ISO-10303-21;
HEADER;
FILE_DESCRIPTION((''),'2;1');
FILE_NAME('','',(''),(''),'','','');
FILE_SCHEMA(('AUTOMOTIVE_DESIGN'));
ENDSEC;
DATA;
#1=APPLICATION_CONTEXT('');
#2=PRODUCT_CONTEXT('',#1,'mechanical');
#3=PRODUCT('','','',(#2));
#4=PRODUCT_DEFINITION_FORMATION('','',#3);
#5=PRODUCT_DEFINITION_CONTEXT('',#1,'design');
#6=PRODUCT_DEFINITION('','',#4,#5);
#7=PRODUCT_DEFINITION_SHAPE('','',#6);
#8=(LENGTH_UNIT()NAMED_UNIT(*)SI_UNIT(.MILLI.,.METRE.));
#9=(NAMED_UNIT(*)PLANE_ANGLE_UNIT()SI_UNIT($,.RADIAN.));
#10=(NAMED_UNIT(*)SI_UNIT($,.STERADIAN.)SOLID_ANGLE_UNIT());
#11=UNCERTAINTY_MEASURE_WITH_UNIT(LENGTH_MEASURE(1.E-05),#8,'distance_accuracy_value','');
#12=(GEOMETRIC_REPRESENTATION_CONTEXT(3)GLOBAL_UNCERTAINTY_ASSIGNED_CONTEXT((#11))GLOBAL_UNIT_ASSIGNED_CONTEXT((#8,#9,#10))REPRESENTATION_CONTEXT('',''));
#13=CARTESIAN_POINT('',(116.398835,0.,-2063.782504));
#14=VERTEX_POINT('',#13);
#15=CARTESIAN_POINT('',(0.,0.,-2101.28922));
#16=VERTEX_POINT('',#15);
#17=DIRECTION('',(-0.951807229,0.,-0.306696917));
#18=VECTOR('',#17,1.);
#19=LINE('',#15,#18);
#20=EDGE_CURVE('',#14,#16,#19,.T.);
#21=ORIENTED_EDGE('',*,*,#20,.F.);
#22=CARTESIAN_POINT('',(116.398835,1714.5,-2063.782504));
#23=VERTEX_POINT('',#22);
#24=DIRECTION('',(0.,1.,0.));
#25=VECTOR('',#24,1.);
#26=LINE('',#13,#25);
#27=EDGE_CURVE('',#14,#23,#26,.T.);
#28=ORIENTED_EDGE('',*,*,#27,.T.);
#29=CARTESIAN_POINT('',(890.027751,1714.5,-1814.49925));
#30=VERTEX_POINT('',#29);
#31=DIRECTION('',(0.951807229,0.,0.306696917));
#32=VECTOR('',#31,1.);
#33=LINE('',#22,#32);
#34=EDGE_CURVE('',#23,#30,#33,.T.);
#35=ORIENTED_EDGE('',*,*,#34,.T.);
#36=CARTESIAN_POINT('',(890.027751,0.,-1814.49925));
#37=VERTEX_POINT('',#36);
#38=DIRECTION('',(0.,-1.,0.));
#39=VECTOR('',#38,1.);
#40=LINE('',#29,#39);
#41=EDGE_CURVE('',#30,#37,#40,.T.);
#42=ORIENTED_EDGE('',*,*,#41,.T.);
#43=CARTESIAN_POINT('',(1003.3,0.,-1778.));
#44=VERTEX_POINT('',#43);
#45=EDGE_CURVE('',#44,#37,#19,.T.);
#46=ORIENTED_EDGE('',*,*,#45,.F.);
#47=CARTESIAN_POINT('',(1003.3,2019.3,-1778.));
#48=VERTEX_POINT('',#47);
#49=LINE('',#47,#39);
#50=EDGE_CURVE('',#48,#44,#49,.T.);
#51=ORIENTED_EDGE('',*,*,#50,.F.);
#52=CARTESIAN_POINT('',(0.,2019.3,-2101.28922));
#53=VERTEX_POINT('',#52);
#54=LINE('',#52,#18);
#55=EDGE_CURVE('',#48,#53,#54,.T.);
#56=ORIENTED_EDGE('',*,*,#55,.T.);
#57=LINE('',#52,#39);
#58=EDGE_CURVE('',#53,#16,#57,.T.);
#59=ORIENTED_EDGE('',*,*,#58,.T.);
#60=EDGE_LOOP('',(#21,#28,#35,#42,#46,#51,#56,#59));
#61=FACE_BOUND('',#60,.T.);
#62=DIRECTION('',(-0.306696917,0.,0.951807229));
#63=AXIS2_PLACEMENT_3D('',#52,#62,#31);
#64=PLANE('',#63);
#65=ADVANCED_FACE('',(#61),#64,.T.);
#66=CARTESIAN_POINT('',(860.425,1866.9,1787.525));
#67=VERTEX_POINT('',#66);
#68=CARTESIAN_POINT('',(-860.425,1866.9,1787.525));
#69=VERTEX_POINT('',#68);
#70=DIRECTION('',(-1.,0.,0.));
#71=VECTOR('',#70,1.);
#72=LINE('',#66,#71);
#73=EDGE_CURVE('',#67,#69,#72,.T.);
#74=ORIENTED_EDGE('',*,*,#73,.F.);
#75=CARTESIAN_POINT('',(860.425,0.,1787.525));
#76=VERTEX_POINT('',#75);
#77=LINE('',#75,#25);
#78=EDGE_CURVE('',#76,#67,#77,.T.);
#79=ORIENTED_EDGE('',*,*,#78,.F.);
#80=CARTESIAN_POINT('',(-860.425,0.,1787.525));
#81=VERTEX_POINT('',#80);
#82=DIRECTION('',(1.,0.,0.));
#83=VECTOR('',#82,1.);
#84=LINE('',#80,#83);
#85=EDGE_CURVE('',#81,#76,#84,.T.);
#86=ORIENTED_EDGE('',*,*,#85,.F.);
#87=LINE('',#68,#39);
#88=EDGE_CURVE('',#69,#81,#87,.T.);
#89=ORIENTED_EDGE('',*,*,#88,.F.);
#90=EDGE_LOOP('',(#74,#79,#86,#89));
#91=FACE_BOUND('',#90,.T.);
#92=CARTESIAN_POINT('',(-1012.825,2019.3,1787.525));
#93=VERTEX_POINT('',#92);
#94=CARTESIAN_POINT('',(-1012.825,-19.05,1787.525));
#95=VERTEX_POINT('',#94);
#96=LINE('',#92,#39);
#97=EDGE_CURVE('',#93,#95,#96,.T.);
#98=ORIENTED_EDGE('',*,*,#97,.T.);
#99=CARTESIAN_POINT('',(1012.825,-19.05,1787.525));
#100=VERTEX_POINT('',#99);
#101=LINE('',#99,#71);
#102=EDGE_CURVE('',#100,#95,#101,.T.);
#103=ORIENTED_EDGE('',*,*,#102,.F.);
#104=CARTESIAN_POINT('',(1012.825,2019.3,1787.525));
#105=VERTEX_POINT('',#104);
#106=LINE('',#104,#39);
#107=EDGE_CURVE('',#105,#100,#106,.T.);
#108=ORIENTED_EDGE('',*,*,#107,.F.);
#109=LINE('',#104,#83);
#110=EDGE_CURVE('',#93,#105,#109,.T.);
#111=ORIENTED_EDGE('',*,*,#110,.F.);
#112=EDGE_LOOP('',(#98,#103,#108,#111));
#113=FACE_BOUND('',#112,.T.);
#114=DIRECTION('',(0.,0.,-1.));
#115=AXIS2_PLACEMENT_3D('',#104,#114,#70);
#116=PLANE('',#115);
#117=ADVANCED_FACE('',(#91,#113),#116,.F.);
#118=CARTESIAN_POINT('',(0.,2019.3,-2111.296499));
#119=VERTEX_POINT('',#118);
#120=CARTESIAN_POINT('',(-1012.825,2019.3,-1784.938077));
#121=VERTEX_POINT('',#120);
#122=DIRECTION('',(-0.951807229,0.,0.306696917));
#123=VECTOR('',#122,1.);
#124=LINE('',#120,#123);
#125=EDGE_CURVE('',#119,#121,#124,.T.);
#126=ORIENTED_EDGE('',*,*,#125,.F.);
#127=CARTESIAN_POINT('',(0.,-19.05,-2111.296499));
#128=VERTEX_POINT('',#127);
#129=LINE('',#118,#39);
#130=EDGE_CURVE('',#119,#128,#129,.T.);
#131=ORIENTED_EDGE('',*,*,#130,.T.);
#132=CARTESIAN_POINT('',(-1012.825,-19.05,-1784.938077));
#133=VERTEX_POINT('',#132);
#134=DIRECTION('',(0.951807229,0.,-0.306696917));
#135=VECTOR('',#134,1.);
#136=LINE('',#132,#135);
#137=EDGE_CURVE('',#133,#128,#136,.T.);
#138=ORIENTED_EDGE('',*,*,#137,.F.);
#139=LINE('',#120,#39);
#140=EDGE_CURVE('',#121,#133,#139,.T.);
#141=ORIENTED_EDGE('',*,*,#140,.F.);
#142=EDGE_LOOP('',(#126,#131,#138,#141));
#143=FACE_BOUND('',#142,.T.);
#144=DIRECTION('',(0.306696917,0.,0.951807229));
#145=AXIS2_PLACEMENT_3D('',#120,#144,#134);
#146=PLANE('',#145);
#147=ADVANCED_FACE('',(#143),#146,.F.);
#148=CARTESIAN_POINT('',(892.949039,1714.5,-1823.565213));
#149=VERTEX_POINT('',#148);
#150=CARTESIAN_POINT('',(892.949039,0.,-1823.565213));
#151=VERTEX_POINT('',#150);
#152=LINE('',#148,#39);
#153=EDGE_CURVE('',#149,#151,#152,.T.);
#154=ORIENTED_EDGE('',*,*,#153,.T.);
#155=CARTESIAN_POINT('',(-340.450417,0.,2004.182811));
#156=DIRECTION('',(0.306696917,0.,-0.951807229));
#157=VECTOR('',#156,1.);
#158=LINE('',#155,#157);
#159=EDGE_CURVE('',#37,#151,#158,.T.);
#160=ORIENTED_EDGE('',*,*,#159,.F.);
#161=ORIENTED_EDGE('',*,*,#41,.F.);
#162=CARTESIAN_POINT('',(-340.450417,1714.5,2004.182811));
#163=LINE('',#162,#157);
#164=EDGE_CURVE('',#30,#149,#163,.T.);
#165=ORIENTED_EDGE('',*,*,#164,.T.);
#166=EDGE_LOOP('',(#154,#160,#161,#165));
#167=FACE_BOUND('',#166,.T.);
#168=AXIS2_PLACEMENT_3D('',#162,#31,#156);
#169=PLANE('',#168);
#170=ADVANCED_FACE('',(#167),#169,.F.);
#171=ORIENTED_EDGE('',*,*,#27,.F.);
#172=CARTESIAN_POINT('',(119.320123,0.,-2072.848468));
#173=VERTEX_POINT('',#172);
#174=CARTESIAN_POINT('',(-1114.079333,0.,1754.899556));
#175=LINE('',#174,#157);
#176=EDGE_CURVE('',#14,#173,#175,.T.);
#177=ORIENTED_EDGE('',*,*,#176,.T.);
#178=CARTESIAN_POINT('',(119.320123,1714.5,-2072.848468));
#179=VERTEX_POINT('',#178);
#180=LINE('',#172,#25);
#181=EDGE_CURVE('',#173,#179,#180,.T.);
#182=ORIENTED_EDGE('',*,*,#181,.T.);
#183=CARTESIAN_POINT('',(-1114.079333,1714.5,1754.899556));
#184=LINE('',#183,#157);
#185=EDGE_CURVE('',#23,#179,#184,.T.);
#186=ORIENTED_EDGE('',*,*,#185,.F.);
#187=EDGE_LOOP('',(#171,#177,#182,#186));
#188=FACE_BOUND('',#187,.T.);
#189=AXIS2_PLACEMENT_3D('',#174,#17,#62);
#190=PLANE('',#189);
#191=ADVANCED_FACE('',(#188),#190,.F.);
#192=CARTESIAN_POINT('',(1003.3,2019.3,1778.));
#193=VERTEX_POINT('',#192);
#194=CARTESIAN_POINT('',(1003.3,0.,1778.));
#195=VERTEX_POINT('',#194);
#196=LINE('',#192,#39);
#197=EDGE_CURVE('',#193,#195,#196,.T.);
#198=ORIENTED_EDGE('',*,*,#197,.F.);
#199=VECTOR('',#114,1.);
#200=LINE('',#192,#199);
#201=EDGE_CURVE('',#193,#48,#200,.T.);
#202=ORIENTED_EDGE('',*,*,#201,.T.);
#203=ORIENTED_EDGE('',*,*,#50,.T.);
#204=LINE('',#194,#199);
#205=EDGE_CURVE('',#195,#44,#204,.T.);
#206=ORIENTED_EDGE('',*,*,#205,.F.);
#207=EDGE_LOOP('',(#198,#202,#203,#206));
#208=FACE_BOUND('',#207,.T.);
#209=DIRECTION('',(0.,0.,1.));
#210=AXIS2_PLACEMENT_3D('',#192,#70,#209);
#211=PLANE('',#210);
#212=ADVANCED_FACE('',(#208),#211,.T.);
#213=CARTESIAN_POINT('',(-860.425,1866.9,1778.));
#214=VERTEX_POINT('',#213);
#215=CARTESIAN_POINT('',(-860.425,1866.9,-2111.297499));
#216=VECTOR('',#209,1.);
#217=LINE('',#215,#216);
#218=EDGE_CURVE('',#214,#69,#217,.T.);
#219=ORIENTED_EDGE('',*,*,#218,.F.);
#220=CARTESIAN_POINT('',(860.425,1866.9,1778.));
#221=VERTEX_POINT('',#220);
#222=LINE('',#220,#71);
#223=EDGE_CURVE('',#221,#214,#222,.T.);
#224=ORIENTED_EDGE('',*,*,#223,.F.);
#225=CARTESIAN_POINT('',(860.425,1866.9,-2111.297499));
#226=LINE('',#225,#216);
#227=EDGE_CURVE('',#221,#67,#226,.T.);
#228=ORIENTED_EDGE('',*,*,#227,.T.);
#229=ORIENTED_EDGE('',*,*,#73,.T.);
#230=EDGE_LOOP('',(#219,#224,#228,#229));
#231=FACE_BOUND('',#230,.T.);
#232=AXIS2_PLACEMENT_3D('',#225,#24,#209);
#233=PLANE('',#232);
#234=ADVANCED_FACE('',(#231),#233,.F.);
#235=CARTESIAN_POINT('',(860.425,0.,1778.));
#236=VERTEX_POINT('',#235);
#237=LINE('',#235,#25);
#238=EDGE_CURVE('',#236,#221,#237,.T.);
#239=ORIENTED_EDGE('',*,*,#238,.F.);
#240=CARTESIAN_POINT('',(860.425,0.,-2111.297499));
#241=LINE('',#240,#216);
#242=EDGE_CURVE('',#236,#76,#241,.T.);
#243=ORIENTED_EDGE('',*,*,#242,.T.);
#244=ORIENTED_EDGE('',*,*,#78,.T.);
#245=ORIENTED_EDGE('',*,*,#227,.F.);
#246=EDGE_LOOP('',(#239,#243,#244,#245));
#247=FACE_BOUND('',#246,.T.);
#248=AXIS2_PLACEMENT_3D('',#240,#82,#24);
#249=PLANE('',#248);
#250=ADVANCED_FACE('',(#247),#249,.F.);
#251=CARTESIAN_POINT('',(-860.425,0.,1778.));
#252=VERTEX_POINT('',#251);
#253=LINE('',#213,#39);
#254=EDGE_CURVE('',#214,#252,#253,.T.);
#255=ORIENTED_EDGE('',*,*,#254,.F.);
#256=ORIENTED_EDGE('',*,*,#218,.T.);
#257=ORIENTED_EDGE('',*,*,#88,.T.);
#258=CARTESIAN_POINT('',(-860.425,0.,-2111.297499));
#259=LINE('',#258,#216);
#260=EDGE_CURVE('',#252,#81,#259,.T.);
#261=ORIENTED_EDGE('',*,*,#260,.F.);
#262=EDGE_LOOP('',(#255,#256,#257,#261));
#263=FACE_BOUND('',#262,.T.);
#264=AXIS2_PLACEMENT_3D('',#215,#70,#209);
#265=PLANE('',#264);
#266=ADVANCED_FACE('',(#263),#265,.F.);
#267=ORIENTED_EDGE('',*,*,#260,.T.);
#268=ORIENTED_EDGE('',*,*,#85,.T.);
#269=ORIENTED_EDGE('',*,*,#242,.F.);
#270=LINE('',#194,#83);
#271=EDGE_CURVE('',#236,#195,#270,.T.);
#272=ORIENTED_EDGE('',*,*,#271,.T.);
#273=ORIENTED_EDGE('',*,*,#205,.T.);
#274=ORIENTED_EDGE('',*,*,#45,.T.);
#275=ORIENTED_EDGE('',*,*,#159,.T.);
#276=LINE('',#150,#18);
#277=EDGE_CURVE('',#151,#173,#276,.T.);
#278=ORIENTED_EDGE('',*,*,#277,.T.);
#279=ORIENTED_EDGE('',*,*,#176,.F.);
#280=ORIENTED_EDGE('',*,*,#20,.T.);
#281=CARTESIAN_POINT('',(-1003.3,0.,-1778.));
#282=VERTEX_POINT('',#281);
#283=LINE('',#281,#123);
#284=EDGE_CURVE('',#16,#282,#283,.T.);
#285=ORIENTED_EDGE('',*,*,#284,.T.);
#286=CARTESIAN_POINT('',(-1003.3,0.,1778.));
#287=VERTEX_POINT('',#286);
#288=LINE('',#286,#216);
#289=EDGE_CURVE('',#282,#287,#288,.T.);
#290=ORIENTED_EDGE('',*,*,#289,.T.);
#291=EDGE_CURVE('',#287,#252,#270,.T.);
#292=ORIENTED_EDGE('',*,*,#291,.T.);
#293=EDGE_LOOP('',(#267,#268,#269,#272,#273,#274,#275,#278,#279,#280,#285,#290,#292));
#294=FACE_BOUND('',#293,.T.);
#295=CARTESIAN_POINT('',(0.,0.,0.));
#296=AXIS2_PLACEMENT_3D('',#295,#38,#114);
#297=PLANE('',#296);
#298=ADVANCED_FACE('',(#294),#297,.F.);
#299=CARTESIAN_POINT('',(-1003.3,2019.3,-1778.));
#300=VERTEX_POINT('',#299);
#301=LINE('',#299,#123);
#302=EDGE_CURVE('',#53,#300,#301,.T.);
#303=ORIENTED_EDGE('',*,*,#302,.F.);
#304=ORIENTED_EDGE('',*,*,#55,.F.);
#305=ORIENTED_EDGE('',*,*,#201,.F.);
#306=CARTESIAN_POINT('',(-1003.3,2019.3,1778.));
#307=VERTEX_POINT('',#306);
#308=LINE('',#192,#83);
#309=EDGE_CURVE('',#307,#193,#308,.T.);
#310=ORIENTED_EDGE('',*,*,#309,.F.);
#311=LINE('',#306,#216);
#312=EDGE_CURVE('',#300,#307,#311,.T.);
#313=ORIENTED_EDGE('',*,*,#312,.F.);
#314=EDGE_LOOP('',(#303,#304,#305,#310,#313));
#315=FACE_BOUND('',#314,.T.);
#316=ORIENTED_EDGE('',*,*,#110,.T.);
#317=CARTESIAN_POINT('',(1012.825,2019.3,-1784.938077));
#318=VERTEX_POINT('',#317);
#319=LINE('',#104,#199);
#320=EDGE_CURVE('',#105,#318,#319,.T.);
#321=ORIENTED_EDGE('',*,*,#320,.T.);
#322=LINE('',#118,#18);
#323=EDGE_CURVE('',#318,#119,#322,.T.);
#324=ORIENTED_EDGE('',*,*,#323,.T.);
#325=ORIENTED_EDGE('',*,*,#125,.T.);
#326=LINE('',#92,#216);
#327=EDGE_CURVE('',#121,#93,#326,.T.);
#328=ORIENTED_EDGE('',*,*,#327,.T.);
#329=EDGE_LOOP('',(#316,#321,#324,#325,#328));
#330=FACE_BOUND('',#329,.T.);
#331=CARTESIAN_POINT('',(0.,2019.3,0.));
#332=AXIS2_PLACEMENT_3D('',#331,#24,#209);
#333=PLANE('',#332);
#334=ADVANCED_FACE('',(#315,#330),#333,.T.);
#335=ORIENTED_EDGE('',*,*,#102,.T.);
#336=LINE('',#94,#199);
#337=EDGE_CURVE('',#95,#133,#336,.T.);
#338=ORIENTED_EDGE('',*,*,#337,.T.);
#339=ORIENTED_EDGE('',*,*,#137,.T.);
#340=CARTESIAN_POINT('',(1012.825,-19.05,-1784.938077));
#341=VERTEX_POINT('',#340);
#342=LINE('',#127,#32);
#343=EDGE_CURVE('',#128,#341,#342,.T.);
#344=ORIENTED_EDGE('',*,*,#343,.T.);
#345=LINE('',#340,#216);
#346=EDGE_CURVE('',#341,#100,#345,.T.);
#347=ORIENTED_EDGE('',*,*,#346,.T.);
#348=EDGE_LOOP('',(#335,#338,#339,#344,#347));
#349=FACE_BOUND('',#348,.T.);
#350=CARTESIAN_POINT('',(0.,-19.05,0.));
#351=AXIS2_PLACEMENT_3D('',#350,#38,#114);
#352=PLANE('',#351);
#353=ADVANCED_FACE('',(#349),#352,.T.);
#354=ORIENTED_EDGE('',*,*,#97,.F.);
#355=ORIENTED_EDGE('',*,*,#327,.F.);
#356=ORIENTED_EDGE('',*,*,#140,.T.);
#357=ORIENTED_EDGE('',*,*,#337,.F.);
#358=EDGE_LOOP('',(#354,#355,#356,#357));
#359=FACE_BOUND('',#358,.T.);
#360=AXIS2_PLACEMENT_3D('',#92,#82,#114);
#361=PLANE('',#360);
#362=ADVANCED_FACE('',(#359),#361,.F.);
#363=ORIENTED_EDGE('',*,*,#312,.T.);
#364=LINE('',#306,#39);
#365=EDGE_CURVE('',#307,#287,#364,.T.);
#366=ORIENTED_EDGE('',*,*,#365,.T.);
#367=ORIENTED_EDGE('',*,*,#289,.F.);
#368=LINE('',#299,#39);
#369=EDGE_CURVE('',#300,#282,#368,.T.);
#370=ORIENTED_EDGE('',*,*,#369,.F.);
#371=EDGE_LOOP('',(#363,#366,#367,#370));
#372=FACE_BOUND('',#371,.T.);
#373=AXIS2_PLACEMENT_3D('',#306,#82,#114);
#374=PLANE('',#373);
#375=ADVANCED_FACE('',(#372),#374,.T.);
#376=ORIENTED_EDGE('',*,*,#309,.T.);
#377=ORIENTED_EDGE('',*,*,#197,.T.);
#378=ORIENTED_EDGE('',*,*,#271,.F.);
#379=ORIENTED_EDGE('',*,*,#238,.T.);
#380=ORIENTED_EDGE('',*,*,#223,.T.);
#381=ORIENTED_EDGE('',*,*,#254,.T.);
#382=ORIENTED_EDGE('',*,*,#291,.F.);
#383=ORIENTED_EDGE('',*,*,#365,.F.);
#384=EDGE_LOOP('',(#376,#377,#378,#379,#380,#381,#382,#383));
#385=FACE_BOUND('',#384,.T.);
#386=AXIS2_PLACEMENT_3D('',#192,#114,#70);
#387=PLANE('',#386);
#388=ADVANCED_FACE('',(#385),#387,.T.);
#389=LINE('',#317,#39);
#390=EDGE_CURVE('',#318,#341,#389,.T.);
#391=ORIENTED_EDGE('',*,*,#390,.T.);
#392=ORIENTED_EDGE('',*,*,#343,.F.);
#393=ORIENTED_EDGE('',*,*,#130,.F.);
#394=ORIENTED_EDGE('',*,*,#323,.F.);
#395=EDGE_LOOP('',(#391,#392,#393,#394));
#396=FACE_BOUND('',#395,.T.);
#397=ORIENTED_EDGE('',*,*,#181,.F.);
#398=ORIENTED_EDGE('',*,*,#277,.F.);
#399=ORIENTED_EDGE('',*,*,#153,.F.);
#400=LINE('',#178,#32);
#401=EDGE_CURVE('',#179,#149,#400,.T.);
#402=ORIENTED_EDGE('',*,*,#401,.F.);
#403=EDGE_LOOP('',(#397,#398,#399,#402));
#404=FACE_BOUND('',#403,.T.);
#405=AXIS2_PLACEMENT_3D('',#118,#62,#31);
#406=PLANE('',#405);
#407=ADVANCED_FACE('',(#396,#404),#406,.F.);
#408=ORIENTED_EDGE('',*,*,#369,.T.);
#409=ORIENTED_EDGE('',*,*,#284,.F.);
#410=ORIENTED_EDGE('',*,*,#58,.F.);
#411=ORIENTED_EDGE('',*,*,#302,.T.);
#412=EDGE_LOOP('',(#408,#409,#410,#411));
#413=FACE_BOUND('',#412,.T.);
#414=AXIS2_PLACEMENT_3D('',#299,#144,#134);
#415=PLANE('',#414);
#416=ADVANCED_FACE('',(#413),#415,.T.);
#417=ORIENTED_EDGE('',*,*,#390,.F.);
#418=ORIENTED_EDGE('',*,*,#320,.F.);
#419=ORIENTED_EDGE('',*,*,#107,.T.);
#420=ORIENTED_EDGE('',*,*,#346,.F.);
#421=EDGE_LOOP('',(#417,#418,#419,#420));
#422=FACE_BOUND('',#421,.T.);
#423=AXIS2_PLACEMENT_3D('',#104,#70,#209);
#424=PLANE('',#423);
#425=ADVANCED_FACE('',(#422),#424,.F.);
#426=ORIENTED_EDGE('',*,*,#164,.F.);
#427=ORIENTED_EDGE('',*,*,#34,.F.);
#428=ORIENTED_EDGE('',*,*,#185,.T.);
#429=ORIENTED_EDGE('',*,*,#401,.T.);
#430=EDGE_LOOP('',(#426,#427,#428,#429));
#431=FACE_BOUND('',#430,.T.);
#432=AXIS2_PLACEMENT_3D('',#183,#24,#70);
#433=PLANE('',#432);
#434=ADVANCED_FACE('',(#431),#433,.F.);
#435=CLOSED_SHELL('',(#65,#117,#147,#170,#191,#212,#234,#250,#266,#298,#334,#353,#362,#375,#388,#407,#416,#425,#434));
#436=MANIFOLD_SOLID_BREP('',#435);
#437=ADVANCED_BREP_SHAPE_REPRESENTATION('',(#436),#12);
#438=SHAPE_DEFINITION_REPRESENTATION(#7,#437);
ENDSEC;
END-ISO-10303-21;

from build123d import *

# Parameters (mm, degrees)
BOSS_EXTRUDE1_DEPTH = 2019.3
BOSS_EXTRUDE2_DEPTH = 19.05
CUT_EXTRUDE1_REACH  = 4023.557
SKETCH3_W           = 812.8
SKETCH3_H           = 1714.5
CUT_EXTRUDE2_REACH  = 3900.821
SKETCH4_W           = 1720.85
SKETCH4_H           = 1866.9


with BuildPart() as part:
    # Sketch1 → Boss-Extrude1 (new body)
    with BuildSketch(Plane(origin=(0, 0, 0), x_dir=(1, 0, 0), z_dir=(0, 1, 0))):
        Polygon((-1012.825, 1784.938077022), (0, 2111.29649884), (1012.825, 1784.938077022), (1012.825, -1787.525), (-1012.825, -1787.525), align=None)
        Polygon((-1003.3, 1778), (0, 2101.289220358), (1003.3, 1778), (1003.3, -1778), (-1003.3, -1778), align=None, mode=Mode.SUBTRACT)
    extrude(amount=BOSS_EXTRUDE1_DEPTH)

    # Sketch2 → Boss-Extrude2 (add)
    with BuildSketch(Plane.XZ):
        Polygon((-1012.825, 1787.525), (-1012.825, -1784.938077022), (0, -2111.29649884), (1012.825, -1784.938077022), (1012.825, 1787.525), align=None)
    extrude(amount=BOSS_EXTRUDE2_DEPTH)

    # Sketch3 → Cut-Extrude1 (cut, up to next)
    with BuildSketch(Plane(origin=(616.321952552, 0, -1912.701618414), x_dir=(-0.951807229, 0, -0.306696917), z_dir=(0.306696917, 0, -0.951807229)), mode=Mode.PRIVATE) as cut_extrude1_sk1:
        with Locations((115.766478733, 857.25)):
            Rectangle(SKETCH3_W, SKETCH3_H)
    cut_extrude1_tool1 = extrude(cut_extrude1_sk1.sketch, amount=-CUT_EXTRUDE1_REACH, mode=Mode.PRIVATE) & part.part
    add(cut_extrude1_tool1.solids().sort_by_distance((506.134581, 857.25, -1948.206841))[0], mode=Mode.SUBTRACT)

    # Sketch4 → Cut-Extrude2 (cut, up to next)
    with BuildSketch(Plane.XY.offset(1787.525), mode=Mode.PRIVATE) as cut_extrude2_sk1:
        with Locations((0, 933.45)):
            Rectangle(SKETCH4_W, SKETCH4_H)
    cut_extrude2_tool1 = extrude(cut_extrude2_sk1.sketch, amount=-CUT_EXTRUDE2_REACH, mode=Mode.PRIVATE) & part.part
    add(cut_extrude2_tool1.solids().sort_by_distance((0, 933.45, 1787.525))[0], mode=Mode.SUBTRACT)


solid = part.part
